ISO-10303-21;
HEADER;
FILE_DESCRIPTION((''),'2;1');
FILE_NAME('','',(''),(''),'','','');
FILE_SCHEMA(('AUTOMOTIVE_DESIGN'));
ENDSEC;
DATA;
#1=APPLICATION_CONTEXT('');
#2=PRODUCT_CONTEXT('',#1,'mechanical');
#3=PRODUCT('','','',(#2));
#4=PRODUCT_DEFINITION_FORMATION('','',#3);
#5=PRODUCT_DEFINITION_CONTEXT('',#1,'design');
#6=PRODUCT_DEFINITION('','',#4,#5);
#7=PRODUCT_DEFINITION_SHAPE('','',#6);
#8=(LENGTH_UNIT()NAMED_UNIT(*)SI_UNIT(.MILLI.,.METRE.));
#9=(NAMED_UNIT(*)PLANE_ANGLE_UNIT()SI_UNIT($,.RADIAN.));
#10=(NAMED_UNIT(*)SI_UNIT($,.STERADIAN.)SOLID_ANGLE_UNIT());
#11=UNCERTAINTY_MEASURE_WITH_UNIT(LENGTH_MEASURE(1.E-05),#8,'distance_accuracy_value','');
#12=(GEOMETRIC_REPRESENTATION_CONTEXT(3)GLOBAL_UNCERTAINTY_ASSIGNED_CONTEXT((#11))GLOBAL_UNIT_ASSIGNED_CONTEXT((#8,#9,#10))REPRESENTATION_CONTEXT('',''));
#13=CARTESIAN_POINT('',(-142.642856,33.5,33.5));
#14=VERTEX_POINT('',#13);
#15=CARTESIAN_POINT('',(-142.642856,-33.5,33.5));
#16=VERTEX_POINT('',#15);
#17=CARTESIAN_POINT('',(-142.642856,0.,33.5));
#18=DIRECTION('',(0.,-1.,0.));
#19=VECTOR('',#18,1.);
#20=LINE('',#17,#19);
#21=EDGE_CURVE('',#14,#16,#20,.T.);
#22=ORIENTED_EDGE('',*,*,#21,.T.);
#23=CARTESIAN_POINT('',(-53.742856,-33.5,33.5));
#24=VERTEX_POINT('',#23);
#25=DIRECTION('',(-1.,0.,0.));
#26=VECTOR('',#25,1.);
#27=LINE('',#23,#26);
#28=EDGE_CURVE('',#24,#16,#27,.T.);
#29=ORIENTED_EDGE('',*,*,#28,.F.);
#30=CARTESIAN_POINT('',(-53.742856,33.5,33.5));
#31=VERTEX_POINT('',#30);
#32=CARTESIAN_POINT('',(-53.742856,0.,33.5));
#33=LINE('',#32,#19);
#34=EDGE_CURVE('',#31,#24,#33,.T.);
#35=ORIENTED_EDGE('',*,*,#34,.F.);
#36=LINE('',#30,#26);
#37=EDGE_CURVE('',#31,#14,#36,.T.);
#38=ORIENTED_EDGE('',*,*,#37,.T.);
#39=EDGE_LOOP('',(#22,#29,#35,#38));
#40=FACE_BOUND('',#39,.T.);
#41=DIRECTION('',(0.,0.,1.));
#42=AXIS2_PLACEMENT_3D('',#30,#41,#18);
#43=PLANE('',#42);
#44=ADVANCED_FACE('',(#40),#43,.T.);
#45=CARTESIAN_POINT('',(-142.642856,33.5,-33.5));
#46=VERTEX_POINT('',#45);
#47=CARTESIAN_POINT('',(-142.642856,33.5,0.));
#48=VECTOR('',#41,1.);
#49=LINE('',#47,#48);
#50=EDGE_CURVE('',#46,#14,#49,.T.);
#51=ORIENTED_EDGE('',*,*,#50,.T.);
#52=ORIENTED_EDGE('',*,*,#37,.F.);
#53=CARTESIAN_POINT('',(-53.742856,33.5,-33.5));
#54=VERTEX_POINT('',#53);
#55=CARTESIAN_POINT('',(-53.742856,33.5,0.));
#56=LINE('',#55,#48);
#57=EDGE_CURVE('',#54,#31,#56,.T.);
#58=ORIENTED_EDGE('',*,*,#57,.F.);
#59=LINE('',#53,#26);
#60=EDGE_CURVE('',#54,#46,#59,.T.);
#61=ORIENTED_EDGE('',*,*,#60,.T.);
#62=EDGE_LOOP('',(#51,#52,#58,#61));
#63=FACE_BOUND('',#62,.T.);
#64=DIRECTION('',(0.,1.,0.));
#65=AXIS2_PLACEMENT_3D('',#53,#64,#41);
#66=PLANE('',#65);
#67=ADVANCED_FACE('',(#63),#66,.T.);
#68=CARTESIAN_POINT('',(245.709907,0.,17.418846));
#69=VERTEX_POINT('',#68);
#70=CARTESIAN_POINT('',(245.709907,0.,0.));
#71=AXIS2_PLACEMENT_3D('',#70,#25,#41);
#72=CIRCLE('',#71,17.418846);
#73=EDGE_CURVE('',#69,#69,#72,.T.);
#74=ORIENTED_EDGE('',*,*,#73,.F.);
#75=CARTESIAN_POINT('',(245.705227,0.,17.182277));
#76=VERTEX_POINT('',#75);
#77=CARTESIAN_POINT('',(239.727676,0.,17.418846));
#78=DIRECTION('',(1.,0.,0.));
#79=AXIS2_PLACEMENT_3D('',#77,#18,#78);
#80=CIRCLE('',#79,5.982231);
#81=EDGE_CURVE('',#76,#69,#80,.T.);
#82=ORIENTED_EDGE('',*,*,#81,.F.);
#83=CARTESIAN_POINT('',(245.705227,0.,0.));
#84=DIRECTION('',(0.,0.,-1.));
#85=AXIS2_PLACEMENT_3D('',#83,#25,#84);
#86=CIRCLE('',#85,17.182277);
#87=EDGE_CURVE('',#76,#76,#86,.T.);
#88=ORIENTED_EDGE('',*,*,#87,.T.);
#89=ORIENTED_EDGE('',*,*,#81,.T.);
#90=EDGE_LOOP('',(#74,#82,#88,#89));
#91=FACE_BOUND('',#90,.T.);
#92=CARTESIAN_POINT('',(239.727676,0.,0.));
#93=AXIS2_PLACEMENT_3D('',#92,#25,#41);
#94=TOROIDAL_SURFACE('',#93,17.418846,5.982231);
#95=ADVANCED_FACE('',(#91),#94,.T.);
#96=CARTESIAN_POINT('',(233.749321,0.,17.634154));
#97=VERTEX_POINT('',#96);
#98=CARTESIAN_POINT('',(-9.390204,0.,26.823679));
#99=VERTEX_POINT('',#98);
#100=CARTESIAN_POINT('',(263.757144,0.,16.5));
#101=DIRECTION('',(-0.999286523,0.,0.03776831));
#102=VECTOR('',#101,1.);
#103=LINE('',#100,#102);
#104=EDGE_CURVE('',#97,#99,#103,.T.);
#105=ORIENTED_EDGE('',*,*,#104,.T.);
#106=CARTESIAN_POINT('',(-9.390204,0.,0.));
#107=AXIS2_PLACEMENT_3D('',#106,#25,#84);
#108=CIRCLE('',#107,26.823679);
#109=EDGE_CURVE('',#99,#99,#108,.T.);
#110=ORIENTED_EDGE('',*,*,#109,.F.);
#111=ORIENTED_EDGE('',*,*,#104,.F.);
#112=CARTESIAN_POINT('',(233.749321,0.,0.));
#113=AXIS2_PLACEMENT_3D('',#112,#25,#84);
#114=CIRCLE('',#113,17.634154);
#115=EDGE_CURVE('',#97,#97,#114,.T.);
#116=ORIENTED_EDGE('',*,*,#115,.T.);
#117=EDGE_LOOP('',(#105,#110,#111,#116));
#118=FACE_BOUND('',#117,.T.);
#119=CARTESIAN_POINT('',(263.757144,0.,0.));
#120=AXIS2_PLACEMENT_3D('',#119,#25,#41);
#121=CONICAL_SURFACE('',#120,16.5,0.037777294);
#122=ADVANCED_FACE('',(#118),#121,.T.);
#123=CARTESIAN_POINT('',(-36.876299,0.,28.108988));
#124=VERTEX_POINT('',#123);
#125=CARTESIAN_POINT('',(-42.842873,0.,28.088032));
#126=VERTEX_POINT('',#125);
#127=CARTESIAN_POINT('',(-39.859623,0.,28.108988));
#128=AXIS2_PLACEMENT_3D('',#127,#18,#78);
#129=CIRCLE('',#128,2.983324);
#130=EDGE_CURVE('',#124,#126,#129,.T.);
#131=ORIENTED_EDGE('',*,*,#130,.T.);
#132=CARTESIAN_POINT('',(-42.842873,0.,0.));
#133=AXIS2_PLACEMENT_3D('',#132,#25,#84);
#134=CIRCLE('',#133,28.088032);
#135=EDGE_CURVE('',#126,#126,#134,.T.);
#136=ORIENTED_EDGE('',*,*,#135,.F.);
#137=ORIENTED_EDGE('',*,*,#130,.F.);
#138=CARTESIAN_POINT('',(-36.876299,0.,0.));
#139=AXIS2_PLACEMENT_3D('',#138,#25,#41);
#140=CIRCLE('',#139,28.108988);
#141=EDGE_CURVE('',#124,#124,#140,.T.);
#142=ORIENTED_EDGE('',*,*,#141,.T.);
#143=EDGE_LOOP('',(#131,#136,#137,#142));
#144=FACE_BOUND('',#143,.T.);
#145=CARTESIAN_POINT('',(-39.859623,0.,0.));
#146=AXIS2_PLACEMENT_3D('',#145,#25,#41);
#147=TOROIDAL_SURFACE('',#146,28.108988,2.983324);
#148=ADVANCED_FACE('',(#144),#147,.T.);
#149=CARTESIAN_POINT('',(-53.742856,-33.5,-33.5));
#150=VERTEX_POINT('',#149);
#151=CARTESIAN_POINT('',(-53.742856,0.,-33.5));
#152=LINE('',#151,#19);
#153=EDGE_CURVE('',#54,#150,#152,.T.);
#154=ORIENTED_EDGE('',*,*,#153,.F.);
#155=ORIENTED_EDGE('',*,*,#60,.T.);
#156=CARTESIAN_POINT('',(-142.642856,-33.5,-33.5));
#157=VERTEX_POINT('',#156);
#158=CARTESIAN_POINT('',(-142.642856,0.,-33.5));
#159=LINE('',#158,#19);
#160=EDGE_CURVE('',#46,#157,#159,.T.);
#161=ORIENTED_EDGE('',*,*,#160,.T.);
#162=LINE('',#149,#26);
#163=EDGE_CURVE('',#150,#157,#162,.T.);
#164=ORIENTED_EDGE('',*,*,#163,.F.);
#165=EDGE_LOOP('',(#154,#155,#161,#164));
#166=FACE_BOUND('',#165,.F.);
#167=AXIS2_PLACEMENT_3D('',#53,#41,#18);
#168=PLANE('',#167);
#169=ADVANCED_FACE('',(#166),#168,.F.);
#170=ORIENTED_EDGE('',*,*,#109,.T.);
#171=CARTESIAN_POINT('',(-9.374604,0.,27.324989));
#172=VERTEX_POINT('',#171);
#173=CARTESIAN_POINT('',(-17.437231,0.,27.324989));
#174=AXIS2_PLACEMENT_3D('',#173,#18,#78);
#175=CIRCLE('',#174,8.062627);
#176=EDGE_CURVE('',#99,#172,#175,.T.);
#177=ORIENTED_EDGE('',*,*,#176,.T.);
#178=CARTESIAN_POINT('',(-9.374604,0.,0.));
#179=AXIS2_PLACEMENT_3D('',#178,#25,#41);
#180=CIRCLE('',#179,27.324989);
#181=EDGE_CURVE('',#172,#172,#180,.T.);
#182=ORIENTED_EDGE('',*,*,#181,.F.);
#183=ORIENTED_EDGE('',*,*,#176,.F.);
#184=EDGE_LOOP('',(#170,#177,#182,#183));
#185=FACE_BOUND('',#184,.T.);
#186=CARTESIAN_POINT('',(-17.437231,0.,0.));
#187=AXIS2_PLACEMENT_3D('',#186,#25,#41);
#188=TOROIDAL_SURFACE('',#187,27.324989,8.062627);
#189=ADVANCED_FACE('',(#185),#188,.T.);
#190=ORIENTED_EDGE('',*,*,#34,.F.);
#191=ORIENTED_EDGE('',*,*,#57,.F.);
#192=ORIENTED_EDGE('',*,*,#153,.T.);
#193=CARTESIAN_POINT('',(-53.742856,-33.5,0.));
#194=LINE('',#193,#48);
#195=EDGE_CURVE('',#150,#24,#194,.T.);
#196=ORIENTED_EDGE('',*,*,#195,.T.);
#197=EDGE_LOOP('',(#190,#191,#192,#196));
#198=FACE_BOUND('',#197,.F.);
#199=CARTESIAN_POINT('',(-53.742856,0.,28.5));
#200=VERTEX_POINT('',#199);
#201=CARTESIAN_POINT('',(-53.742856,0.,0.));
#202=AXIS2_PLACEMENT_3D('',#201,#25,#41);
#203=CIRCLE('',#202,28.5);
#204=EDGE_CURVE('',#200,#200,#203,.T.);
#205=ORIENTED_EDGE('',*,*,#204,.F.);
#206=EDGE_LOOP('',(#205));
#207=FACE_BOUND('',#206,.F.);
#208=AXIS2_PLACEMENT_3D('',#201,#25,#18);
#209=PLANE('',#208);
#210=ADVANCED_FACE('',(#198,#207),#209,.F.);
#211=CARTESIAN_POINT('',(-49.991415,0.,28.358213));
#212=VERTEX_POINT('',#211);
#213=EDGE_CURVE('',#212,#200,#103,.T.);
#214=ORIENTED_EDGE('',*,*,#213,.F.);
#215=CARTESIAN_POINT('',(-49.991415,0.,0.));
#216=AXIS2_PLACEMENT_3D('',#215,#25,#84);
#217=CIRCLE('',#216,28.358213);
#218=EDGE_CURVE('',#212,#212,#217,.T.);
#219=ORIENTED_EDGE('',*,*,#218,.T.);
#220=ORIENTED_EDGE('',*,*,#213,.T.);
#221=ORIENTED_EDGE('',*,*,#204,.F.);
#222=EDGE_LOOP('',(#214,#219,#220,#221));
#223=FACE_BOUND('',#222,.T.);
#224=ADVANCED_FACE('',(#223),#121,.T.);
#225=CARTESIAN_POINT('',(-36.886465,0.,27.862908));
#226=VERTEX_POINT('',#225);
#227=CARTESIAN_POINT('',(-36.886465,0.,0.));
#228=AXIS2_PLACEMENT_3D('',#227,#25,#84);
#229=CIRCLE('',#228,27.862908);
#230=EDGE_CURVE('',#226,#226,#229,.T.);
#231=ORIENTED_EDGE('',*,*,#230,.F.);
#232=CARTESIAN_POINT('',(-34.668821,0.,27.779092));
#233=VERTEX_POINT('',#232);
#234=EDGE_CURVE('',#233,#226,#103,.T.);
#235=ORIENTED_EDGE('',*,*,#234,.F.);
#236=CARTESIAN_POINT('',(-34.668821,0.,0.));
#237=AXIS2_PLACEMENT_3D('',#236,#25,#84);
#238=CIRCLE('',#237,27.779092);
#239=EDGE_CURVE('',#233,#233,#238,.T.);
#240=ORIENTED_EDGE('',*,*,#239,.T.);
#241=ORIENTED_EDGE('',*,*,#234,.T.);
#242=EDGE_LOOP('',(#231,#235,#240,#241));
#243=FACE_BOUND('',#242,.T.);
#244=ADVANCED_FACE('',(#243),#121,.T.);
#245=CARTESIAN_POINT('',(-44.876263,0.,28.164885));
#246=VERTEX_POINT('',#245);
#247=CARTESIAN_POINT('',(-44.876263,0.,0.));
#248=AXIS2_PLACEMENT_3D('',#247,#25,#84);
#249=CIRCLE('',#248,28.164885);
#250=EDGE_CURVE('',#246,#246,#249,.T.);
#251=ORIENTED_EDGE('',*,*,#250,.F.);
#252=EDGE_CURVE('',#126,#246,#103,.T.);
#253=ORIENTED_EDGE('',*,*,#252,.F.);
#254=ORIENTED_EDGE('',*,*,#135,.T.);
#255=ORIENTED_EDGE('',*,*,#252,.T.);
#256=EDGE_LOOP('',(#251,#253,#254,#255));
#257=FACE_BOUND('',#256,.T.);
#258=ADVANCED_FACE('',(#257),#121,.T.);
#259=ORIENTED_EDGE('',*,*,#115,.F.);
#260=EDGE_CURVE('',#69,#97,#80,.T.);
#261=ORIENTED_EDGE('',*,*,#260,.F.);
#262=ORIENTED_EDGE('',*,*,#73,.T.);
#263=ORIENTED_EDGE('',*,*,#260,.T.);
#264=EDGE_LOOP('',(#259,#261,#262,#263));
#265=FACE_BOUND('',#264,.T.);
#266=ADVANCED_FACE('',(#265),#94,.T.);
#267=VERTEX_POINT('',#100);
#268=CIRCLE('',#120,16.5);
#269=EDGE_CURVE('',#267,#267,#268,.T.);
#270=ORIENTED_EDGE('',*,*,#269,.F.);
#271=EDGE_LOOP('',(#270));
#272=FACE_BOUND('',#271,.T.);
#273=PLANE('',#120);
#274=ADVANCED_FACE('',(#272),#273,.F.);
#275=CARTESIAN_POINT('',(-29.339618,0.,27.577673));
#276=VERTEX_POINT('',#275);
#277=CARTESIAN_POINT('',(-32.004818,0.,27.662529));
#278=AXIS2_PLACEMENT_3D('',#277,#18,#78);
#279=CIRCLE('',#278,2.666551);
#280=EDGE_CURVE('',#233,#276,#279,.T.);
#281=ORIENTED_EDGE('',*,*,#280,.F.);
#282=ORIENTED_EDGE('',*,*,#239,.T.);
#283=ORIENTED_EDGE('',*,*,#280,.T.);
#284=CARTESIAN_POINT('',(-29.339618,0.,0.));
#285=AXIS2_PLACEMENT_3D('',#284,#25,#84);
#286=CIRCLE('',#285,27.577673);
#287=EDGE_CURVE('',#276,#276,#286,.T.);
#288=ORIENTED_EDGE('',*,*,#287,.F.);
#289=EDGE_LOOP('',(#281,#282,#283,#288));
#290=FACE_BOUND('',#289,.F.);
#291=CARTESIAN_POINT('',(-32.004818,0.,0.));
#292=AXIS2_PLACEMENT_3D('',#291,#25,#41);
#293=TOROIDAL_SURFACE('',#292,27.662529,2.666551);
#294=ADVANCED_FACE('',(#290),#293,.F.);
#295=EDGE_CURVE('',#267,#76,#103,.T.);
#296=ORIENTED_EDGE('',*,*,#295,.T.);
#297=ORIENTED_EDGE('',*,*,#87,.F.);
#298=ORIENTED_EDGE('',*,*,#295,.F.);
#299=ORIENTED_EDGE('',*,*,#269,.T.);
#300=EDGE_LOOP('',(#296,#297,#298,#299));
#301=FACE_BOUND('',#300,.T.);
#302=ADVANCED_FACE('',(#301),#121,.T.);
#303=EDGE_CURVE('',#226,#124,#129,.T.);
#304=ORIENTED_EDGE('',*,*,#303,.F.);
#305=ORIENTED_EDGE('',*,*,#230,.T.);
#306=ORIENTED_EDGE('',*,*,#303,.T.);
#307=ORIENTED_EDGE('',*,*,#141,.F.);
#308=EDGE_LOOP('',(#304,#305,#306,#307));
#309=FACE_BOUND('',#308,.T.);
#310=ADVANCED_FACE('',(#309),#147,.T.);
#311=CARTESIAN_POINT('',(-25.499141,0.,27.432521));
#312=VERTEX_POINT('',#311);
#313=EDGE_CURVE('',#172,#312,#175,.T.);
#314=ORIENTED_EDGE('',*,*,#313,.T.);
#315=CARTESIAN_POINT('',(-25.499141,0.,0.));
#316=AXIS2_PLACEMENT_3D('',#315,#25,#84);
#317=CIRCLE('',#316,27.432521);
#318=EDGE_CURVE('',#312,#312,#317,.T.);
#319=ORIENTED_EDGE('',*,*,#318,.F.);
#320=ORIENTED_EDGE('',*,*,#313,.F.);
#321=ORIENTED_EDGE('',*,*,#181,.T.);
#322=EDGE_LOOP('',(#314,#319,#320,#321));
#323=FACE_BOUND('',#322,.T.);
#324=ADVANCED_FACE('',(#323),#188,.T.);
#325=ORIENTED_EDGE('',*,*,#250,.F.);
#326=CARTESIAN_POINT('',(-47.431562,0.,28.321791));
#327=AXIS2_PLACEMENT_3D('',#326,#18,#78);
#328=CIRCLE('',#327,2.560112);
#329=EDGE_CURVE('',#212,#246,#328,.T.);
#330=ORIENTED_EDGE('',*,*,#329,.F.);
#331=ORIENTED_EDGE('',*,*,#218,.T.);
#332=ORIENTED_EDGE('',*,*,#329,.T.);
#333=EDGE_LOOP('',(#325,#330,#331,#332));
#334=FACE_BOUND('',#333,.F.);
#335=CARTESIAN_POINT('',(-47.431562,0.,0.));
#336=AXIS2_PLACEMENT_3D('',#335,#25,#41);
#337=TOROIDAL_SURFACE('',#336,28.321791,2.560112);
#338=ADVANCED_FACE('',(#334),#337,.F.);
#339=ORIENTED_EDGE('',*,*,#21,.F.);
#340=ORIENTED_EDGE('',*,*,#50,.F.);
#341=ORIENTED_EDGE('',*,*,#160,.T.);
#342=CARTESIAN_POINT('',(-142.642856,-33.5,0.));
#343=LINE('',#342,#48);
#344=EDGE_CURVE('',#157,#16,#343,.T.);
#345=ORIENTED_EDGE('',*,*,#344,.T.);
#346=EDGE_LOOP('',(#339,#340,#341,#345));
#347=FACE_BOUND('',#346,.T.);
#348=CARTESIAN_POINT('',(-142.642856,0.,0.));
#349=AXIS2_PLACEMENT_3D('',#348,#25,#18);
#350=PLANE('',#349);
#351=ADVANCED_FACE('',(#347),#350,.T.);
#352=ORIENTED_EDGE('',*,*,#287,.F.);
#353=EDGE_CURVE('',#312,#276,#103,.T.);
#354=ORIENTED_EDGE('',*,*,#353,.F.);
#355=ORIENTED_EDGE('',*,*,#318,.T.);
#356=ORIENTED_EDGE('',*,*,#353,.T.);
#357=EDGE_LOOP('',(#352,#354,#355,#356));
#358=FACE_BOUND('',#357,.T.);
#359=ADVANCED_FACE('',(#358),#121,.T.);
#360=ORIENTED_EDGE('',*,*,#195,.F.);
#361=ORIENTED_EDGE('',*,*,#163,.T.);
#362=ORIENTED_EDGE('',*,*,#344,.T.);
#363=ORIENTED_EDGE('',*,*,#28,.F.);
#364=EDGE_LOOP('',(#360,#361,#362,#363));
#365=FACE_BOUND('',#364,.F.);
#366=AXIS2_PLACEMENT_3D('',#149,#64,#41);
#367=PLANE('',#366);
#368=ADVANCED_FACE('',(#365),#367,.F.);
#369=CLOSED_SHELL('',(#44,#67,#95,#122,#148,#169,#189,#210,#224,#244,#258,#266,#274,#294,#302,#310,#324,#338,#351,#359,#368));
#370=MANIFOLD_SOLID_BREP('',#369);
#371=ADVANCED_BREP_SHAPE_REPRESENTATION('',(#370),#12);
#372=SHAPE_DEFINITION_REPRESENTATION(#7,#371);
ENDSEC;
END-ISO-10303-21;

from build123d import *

# Parameters (mm, degrees)
F2_W     = 67
F2_H     = 67
F2_R     = 28.5
F3_DEPTH = 88.9
F4_R     = 5.9822306913
F6_R     = 8.0626271117
F8_R     = 2.983323662
F10_R    = 2.5601115979
F10_R_2  = 2.6665511694


with BuildPart() as f1:
    # F0 (on Front) → F1 (revolve)
    with BuildSketch(Plane.XZ):
        Polygon((-53.742856312, 28.5), (-53.742856312, 0), (263.757143688, 0), (263.757143688, 16.5), align=None)
    revolve(axis=Axis((105.007143688, 0, 0), (-1, 0, 0)))

    # F2 (on face) → F3 (join)
    with BuildSketch(Plane(origin=(-53.742856312, 0, 0), x_dir=(0, -1, 0), z_dir=(-1, 0, 0))):
        Rectangle(F2_W, F2_H)
        Circle(F2_R, mode=Mode.SUBTRACT)
        Circle(F2_R)
    extrude(amount=F3_DEPTH)

    # F4 (on Front) → F5 (revolve)
    with BuildSketch(Plane.XZ):
        with Locations((239.7276759148, 17.418846488)):
            Circle(F4_R)
    revolve(axis=Axis((263.757143688, 0, 0), (-1, 0, 0)))

    # F6 (on Front) → F7 (revolve)
    with BuildSketch(Plane.XZ):
        with Locations((-17.4372307956, 27.3249894381)):
            Circle(F6_R)
    revolve(axis=Axis((105.007143688, 0, 0), (-1, 0, 0)))

    # F8 (on Front) → F9 (revolve)
    with BuildSketch(Plane.XZ):
        with Locations((-39.8596227169, 28.1089879572)):
            Circle(F8_R)
    revolve(axis=Axis((105.007143688, 0, 0), (-1, 0, 0)))

    # F10 (on Front) → F11 (revolve, cut)
    with BuildSketch(Plane.XZ):
        with Locations((-47.4315620959, 28.3217914402)):
            Circle(F10_R)
        with Locations((-32.0048183203, 27.6625286788)):
            Circle(F10_R_2)
    revolve(axis=Axis((263.757143688, 0, 0), (-1, 0, 0)), mode=Mode.SUBTRACT)


solid = f1.part
